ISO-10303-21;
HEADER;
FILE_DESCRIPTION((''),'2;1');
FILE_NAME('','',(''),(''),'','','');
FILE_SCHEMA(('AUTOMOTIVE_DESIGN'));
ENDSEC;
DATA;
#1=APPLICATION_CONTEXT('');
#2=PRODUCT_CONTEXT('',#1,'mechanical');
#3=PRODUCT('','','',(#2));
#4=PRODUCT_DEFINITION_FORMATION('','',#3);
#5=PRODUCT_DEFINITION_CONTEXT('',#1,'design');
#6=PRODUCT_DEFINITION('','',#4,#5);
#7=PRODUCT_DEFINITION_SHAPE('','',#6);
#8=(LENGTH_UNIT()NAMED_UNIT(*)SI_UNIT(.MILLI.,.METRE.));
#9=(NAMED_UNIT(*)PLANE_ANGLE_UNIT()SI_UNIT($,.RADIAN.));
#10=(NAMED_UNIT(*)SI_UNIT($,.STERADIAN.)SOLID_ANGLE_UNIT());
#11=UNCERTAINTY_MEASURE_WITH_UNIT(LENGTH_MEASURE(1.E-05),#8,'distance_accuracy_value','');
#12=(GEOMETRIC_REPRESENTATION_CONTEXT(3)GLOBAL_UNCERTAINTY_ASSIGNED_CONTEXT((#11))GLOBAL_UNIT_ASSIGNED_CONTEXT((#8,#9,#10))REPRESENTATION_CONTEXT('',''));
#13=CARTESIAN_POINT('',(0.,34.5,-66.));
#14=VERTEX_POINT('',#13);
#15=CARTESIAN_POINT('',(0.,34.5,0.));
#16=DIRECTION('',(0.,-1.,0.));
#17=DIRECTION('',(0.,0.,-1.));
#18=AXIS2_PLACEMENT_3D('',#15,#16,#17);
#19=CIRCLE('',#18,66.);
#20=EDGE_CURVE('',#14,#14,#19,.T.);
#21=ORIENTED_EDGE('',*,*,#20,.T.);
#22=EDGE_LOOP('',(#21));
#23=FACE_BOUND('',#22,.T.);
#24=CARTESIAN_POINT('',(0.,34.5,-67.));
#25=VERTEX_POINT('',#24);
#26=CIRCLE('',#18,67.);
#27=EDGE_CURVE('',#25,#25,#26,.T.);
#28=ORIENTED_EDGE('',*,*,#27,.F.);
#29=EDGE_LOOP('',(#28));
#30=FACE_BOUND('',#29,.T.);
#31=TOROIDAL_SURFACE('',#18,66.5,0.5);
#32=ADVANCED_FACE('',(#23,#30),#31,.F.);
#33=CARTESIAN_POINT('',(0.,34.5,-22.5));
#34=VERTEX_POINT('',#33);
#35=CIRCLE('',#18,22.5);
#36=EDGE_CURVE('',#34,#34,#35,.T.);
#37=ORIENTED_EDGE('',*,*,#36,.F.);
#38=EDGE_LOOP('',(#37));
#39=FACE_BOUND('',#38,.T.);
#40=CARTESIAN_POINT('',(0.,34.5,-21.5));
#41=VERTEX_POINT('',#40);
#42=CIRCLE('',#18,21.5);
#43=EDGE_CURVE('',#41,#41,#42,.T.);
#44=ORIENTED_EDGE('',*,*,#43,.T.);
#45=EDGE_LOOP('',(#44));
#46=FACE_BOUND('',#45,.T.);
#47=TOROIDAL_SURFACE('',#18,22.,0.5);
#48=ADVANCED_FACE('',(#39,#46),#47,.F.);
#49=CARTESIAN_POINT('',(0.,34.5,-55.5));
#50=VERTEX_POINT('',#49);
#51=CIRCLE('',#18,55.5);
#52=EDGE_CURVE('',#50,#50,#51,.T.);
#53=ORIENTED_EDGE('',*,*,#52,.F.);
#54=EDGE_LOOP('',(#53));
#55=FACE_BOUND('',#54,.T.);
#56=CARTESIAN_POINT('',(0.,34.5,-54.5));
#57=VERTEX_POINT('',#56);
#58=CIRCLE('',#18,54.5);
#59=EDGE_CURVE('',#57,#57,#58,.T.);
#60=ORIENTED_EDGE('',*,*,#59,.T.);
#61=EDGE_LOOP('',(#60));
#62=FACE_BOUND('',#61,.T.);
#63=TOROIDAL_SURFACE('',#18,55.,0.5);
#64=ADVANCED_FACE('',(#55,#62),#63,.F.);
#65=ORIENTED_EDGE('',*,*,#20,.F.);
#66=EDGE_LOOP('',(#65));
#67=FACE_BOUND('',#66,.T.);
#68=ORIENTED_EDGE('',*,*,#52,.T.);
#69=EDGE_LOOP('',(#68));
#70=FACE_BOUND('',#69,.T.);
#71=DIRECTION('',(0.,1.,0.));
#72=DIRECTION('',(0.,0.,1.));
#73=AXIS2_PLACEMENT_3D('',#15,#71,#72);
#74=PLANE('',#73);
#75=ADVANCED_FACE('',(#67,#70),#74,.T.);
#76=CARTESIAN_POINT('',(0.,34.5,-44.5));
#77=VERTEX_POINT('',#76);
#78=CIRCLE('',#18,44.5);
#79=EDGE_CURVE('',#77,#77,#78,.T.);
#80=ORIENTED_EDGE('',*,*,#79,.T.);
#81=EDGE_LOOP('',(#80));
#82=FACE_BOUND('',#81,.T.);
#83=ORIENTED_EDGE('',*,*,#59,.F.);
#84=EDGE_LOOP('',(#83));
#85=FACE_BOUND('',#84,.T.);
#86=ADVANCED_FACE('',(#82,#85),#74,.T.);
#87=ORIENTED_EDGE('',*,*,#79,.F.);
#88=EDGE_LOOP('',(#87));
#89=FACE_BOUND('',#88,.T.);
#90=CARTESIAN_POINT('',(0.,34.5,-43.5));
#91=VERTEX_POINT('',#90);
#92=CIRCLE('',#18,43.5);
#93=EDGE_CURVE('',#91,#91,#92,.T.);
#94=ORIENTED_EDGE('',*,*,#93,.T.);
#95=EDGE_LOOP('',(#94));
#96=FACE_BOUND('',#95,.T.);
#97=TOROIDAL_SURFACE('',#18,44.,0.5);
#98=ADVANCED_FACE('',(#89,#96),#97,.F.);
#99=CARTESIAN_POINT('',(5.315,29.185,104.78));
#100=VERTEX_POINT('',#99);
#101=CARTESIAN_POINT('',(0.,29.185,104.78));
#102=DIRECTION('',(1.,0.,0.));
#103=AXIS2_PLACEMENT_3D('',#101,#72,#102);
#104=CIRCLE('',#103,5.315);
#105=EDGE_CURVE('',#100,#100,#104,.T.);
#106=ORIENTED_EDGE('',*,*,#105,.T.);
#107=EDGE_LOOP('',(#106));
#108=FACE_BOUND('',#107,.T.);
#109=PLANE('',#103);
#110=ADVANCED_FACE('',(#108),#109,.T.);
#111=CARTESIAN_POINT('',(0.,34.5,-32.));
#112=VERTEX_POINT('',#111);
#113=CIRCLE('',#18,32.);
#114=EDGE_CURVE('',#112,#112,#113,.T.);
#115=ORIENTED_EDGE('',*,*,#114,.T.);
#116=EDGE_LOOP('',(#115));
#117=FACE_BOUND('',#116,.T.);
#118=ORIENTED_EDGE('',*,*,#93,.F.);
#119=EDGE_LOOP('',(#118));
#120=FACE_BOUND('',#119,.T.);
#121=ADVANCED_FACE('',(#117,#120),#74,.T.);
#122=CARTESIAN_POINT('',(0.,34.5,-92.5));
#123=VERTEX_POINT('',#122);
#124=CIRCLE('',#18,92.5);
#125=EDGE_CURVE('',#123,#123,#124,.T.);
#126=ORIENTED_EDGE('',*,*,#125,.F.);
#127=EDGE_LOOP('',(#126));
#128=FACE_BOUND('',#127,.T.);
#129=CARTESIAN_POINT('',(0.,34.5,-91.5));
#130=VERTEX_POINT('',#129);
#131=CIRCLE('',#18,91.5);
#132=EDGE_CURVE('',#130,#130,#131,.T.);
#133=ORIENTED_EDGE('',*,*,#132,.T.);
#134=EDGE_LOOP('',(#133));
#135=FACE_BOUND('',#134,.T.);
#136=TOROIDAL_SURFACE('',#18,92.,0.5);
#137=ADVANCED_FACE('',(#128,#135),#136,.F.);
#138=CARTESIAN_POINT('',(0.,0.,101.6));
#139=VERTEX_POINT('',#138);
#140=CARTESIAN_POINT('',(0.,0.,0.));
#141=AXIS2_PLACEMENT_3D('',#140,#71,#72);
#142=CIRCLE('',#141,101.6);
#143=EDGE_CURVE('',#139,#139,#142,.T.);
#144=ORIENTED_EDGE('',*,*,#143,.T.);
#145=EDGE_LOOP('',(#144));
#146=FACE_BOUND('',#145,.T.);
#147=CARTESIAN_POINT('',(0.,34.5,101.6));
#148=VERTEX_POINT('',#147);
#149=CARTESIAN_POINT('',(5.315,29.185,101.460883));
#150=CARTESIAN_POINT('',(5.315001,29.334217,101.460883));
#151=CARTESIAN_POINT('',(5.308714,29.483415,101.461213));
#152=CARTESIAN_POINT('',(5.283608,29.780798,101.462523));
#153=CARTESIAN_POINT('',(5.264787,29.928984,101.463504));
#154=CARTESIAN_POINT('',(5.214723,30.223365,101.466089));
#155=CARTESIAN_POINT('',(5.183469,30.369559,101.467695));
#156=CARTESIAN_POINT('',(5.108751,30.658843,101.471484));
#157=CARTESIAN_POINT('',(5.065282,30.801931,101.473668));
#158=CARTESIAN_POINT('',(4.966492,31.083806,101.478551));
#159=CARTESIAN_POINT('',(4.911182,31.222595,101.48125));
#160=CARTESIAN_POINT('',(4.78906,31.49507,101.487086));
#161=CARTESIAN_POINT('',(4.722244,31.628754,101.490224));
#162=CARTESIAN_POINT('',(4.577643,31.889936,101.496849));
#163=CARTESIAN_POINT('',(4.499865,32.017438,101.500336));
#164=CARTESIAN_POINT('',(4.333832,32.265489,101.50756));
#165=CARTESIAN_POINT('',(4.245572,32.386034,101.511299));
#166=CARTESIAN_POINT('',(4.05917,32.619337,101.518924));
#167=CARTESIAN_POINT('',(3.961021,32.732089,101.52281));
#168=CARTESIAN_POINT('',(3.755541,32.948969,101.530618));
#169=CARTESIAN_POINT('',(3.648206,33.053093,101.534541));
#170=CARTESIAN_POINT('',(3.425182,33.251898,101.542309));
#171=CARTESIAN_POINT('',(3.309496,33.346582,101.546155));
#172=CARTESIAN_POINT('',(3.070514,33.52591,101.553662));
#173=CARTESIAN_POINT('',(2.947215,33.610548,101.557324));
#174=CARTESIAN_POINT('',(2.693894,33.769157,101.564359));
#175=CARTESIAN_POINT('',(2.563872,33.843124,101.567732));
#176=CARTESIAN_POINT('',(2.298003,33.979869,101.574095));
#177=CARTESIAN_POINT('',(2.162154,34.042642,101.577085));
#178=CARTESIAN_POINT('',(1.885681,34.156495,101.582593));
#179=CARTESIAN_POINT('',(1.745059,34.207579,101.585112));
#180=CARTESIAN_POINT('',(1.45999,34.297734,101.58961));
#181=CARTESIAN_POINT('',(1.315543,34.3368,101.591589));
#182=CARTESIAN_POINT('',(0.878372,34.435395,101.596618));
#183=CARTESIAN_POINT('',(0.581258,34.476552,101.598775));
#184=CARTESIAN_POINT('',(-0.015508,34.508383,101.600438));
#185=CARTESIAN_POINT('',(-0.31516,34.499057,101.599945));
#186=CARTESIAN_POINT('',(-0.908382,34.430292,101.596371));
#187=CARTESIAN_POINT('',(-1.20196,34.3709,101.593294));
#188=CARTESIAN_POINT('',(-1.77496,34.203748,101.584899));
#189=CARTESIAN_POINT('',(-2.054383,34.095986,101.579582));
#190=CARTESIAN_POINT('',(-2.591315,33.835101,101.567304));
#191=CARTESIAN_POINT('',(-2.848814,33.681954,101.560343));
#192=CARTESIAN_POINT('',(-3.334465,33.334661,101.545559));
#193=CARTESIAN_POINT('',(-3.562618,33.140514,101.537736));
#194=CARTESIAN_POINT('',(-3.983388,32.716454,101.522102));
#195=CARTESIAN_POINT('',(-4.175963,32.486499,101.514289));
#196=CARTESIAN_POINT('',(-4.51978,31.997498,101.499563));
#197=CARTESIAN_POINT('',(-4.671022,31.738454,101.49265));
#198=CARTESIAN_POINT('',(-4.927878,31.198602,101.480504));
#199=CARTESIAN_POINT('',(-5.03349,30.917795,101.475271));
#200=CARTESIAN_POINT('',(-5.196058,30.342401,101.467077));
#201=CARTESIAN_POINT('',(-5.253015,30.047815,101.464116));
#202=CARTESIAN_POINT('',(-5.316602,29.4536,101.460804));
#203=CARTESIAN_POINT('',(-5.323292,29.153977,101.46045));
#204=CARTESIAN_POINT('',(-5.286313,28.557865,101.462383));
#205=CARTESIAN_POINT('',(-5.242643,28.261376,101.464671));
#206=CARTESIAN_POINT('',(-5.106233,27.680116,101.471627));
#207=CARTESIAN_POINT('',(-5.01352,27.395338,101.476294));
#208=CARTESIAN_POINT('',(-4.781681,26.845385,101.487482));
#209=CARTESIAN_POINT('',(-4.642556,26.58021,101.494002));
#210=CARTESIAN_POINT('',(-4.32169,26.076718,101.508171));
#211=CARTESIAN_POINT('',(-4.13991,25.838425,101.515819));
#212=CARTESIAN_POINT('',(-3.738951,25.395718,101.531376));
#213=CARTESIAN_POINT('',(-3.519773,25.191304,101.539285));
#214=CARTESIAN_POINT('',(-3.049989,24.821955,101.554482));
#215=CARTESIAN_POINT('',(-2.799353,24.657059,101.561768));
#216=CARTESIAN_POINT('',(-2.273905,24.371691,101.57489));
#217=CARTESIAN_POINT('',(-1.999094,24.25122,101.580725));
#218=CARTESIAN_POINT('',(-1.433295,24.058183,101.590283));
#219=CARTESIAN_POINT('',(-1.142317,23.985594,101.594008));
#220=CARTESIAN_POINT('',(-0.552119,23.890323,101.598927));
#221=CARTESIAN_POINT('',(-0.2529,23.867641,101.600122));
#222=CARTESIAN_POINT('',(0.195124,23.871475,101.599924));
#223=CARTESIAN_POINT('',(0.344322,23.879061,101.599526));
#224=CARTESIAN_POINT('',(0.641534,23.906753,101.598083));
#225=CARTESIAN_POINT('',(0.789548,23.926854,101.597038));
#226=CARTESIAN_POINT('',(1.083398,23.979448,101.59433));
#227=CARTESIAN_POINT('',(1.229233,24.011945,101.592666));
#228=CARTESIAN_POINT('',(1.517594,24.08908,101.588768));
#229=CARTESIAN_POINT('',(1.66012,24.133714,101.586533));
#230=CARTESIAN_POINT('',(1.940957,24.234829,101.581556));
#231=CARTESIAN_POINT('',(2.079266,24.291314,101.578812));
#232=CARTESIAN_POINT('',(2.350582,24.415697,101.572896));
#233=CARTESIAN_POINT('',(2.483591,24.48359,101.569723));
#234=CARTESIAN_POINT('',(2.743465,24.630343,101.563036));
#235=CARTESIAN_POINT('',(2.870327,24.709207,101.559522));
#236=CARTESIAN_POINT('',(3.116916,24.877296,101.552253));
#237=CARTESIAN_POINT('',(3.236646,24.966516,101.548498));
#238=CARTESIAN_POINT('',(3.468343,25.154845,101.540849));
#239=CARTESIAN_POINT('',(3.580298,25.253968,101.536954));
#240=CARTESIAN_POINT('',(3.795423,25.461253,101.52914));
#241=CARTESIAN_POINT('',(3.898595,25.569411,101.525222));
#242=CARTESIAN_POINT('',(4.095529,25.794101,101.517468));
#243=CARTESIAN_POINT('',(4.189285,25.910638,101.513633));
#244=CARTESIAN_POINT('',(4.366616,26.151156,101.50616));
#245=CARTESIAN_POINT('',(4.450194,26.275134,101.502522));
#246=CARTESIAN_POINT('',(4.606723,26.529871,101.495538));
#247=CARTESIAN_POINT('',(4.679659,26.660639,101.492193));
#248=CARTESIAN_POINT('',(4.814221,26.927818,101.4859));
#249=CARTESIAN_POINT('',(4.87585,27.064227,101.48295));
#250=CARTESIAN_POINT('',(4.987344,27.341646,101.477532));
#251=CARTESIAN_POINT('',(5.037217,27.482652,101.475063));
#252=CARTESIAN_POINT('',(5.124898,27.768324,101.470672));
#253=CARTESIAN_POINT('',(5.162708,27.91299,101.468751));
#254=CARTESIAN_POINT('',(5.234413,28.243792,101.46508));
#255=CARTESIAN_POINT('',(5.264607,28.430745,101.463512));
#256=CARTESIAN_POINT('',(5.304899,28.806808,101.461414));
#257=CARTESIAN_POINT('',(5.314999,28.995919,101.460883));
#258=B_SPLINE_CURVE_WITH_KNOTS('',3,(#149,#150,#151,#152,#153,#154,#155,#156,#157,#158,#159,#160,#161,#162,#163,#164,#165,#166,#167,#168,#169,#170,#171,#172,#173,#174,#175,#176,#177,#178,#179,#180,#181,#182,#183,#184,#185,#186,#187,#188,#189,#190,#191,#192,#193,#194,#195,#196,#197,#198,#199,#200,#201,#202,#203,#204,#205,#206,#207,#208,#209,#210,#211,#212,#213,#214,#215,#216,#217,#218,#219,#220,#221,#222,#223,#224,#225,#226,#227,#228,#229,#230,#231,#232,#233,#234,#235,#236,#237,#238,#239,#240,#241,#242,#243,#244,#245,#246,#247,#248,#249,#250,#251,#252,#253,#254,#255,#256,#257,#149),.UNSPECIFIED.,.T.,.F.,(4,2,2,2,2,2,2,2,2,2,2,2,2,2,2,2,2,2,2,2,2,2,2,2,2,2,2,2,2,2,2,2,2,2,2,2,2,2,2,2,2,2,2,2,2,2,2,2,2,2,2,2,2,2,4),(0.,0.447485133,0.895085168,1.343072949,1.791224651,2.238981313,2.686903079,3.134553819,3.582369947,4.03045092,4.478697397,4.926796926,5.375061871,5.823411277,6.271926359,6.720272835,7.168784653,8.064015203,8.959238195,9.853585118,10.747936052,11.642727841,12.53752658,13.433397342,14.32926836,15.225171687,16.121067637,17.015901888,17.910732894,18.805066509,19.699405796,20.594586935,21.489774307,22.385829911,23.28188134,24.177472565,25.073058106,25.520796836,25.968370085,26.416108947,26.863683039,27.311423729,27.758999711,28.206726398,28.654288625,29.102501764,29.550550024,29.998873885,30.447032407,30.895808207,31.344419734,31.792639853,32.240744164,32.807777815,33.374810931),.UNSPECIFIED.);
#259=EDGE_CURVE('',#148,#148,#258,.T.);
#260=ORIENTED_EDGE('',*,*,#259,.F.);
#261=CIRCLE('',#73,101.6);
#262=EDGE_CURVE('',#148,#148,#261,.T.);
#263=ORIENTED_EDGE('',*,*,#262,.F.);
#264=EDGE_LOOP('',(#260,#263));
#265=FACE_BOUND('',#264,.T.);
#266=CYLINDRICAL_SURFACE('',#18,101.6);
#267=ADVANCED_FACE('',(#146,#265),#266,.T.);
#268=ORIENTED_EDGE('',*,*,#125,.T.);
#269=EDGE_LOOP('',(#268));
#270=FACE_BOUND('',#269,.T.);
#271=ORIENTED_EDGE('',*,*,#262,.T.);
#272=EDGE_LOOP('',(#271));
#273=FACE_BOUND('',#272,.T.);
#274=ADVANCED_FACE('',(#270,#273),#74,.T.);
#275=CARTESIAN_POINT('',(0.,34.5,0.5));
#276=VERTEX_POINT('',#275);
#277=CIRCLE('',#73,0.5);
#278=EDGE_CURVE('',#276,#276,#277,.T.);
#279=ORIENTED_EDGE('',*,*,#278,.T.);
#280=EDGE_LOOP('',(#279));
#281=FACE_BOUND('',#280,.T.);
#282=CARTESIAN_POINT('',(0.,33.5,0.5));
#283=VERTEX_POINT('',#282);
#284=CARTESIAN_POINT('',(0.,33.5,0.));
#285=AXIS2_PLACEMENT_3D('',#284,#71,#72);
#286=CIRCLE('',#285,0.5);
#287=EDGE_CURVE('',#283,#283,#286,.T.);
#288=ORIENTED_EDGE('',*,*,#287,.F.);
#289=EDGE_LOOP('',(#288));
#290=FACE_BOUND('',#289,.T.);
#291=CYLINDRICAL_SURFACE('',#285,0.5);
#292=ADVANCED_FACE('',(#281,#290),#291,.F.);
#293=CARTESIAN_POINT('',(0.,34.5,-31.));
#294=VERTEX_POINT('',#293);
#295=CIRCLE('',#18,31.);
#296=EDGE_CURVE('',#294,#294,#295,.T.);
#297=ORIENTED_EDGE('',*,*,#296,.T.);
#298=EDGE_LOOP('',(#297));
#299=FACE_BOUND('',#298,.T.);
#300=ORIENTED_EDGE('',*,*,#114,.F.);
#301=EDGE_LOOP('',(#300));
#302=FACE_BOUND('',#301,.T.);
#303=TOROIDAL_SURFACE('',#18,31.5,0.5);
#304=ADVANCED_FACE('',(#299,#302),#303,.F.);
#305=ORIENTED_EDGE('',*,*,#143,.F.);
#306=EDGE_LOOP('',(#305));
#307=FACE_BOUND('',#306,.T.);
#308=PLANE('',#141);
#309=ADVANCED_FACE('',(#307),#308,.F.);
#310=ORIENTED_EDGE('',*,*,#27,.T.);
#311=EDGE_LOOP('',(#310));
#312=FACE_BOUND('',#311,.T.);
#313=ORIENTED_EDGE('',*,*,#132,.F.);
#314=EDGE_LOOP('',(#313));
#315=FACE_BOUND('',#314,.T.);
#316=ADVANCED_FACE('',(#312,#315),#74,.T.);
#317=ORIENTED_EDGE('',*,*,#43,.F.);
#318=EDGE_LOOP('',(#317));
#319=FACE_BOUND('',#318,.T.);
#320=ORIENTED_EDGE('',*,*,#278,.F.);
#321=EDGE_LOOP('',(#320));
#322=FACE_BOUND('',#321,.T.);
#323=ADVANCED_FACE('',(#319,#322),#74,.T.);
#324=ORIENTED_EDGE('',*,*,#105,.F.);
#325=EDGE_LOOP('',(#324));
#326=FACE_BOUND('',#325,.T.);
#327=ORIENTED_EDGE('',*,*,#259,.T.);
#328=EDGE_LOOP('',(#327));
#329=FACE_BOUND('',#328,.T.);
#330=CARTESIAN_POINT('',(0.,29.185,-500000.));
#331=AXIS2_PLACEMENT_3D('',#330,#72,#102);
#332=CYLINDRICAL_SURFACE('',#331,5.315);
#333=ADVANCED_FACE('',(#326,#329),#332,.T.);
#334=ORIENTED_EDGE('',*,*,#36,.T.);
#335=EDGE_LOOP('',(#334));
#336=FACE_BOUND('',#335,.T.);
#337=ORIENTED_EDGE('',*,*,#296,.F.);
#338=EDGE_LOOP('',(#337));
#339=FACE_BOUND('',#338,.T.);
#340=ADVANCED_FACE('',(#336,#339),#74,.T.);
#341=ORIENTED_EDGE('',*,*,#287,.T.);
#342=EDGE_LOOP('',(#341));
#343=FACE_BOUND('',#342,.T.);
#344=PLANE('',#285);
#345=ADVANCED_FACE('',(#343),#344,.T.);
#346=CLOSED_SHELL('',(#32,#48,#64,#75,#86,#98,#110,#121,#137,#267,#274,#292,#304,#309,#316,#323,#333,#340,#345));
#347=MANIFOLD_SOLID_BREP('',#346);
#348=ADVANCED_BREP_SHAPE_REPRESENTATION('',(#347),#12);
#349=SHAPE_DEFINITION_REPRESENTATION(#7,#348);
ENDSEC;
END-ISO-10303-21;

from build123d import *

# Parameters (mm, degrees)
SKETCH1_R           = 101.6
EXTRUDE1_DEPTH      = 34.5
SKETCH4_R           = 0.5
EXTRUDE2_DEPTH      = 1
EXTRUDE3_REACH      = 208.38
EXTRUDE3_END_RADIUS = 101.6
SKETCH5_R           = 5.315


with BuildPart() as part:
    # Sketch1 → Extrude1 (new body)
    with BuildSketch(Plane(origin=(0, 0, 0), x_dir=(1, 0, 0), z_dir=(0, 1, 0))):
        with Locations(Location((0, 0, 0), (0, 0, 270))):  # turned: the seam where the file's is
            Circle(SKETCH1_R)
    extrude(amount=EXTRUDE1_DEPTH)

    # Sketch3 → Cut-Revolve1 (revolve, cut)
    with BuildSketch(Plane.XY, mode=Mode.PRIVATE) as cut_revolve1_sk:
        with BuildLine():
            Line((0, 34.5), (21.5, 34.5))
            ThreePointArc((21.5, 34.5), (22, 34), (22.5, 34.5))
            Line((22.5, 34.5), (31, 34.5))
            ThreePointArc((31, 34.5), (31.5, 34), (32, 34.5))
            Line((32, 34.5), (43.5, 34.5))
            ThreePointArc((43.5, 34.5), (44, 34), (44.5, 34.5))
            Line((44.5, 34.5), (54.5, 34.5))
            ThreePointArc((54.5, 34.5), (55, 34), (55.5, 34.5))
            Line((55.5, 34.5), (66, 34.5))
            ThreePointArc((66, 34.5), (66.5, 34), (67, 34.5))
            Line((67, 34.5), (91.5, 34.5))
            ThreePointArc((91.5, 34.5), (92, 34), (92.5, 34.5))
            Line((92.5, 34.5), (101.6, 34.5))
            Line((101.6, 34.5), (101.6, 39.5))
            Line((101.6, 39.5), (0, 39.5))
            Line((0, 39.5), (0, 34.5))
        make_face()
    revolve(cut_revolve1_sk.sketch.rotate(Axis((0, 0, 0), (0, 1, 0)), 90), axis=Axis((0, 0, 0), (0, 1, 0)), mode=Mode.SUBTRACT)  # turned: the seam where the file's is

    # Sketch4 → Extrude2 (cut)
    with BuildSketch(Plane(origin=(0, 34.5, 0), x_dir=(1, 0, 0), z_dir=(0, 1, 0))):
        with Locations(Location((0, 0, 0), (0, 0, 270))):  # turned: the seam where the file's is
            Circle(SKETCH4_R)
    extrude(amount=-EXTRUDE2_DEPTH, mode=Mode.SUBTRACT)

    # Extrude3: up to this cylinder (the profile starts outside it)
    extrude3_end = Plane(origin=(0, 29.185, 0), z_dir=(0, -1, 0)) * Cylinder(EXTRUDE3_END_RADIUS, 620.96, mode=Mode.PRIVATE)
    # Sketch5 → Extrude3 (add, up to the surface)
    with BuildSketch(Plane.XY.offset(104.78), mode=Mode.PRIVATE) as extrude3_sk1:
        with Locations((0, 29.185)):
            Circle(SKETCH5_R)
    extrude3_tool1 = extrude(extrude3_sk1.sketch, amount=-EXTRUDE3_REACH, mode=Mode.PRIVATE) - extrude3_end
    add(extrude3_tool1.solids().sort_by_distance((0, 29.185, 104.78))[0])


solid = part.part
